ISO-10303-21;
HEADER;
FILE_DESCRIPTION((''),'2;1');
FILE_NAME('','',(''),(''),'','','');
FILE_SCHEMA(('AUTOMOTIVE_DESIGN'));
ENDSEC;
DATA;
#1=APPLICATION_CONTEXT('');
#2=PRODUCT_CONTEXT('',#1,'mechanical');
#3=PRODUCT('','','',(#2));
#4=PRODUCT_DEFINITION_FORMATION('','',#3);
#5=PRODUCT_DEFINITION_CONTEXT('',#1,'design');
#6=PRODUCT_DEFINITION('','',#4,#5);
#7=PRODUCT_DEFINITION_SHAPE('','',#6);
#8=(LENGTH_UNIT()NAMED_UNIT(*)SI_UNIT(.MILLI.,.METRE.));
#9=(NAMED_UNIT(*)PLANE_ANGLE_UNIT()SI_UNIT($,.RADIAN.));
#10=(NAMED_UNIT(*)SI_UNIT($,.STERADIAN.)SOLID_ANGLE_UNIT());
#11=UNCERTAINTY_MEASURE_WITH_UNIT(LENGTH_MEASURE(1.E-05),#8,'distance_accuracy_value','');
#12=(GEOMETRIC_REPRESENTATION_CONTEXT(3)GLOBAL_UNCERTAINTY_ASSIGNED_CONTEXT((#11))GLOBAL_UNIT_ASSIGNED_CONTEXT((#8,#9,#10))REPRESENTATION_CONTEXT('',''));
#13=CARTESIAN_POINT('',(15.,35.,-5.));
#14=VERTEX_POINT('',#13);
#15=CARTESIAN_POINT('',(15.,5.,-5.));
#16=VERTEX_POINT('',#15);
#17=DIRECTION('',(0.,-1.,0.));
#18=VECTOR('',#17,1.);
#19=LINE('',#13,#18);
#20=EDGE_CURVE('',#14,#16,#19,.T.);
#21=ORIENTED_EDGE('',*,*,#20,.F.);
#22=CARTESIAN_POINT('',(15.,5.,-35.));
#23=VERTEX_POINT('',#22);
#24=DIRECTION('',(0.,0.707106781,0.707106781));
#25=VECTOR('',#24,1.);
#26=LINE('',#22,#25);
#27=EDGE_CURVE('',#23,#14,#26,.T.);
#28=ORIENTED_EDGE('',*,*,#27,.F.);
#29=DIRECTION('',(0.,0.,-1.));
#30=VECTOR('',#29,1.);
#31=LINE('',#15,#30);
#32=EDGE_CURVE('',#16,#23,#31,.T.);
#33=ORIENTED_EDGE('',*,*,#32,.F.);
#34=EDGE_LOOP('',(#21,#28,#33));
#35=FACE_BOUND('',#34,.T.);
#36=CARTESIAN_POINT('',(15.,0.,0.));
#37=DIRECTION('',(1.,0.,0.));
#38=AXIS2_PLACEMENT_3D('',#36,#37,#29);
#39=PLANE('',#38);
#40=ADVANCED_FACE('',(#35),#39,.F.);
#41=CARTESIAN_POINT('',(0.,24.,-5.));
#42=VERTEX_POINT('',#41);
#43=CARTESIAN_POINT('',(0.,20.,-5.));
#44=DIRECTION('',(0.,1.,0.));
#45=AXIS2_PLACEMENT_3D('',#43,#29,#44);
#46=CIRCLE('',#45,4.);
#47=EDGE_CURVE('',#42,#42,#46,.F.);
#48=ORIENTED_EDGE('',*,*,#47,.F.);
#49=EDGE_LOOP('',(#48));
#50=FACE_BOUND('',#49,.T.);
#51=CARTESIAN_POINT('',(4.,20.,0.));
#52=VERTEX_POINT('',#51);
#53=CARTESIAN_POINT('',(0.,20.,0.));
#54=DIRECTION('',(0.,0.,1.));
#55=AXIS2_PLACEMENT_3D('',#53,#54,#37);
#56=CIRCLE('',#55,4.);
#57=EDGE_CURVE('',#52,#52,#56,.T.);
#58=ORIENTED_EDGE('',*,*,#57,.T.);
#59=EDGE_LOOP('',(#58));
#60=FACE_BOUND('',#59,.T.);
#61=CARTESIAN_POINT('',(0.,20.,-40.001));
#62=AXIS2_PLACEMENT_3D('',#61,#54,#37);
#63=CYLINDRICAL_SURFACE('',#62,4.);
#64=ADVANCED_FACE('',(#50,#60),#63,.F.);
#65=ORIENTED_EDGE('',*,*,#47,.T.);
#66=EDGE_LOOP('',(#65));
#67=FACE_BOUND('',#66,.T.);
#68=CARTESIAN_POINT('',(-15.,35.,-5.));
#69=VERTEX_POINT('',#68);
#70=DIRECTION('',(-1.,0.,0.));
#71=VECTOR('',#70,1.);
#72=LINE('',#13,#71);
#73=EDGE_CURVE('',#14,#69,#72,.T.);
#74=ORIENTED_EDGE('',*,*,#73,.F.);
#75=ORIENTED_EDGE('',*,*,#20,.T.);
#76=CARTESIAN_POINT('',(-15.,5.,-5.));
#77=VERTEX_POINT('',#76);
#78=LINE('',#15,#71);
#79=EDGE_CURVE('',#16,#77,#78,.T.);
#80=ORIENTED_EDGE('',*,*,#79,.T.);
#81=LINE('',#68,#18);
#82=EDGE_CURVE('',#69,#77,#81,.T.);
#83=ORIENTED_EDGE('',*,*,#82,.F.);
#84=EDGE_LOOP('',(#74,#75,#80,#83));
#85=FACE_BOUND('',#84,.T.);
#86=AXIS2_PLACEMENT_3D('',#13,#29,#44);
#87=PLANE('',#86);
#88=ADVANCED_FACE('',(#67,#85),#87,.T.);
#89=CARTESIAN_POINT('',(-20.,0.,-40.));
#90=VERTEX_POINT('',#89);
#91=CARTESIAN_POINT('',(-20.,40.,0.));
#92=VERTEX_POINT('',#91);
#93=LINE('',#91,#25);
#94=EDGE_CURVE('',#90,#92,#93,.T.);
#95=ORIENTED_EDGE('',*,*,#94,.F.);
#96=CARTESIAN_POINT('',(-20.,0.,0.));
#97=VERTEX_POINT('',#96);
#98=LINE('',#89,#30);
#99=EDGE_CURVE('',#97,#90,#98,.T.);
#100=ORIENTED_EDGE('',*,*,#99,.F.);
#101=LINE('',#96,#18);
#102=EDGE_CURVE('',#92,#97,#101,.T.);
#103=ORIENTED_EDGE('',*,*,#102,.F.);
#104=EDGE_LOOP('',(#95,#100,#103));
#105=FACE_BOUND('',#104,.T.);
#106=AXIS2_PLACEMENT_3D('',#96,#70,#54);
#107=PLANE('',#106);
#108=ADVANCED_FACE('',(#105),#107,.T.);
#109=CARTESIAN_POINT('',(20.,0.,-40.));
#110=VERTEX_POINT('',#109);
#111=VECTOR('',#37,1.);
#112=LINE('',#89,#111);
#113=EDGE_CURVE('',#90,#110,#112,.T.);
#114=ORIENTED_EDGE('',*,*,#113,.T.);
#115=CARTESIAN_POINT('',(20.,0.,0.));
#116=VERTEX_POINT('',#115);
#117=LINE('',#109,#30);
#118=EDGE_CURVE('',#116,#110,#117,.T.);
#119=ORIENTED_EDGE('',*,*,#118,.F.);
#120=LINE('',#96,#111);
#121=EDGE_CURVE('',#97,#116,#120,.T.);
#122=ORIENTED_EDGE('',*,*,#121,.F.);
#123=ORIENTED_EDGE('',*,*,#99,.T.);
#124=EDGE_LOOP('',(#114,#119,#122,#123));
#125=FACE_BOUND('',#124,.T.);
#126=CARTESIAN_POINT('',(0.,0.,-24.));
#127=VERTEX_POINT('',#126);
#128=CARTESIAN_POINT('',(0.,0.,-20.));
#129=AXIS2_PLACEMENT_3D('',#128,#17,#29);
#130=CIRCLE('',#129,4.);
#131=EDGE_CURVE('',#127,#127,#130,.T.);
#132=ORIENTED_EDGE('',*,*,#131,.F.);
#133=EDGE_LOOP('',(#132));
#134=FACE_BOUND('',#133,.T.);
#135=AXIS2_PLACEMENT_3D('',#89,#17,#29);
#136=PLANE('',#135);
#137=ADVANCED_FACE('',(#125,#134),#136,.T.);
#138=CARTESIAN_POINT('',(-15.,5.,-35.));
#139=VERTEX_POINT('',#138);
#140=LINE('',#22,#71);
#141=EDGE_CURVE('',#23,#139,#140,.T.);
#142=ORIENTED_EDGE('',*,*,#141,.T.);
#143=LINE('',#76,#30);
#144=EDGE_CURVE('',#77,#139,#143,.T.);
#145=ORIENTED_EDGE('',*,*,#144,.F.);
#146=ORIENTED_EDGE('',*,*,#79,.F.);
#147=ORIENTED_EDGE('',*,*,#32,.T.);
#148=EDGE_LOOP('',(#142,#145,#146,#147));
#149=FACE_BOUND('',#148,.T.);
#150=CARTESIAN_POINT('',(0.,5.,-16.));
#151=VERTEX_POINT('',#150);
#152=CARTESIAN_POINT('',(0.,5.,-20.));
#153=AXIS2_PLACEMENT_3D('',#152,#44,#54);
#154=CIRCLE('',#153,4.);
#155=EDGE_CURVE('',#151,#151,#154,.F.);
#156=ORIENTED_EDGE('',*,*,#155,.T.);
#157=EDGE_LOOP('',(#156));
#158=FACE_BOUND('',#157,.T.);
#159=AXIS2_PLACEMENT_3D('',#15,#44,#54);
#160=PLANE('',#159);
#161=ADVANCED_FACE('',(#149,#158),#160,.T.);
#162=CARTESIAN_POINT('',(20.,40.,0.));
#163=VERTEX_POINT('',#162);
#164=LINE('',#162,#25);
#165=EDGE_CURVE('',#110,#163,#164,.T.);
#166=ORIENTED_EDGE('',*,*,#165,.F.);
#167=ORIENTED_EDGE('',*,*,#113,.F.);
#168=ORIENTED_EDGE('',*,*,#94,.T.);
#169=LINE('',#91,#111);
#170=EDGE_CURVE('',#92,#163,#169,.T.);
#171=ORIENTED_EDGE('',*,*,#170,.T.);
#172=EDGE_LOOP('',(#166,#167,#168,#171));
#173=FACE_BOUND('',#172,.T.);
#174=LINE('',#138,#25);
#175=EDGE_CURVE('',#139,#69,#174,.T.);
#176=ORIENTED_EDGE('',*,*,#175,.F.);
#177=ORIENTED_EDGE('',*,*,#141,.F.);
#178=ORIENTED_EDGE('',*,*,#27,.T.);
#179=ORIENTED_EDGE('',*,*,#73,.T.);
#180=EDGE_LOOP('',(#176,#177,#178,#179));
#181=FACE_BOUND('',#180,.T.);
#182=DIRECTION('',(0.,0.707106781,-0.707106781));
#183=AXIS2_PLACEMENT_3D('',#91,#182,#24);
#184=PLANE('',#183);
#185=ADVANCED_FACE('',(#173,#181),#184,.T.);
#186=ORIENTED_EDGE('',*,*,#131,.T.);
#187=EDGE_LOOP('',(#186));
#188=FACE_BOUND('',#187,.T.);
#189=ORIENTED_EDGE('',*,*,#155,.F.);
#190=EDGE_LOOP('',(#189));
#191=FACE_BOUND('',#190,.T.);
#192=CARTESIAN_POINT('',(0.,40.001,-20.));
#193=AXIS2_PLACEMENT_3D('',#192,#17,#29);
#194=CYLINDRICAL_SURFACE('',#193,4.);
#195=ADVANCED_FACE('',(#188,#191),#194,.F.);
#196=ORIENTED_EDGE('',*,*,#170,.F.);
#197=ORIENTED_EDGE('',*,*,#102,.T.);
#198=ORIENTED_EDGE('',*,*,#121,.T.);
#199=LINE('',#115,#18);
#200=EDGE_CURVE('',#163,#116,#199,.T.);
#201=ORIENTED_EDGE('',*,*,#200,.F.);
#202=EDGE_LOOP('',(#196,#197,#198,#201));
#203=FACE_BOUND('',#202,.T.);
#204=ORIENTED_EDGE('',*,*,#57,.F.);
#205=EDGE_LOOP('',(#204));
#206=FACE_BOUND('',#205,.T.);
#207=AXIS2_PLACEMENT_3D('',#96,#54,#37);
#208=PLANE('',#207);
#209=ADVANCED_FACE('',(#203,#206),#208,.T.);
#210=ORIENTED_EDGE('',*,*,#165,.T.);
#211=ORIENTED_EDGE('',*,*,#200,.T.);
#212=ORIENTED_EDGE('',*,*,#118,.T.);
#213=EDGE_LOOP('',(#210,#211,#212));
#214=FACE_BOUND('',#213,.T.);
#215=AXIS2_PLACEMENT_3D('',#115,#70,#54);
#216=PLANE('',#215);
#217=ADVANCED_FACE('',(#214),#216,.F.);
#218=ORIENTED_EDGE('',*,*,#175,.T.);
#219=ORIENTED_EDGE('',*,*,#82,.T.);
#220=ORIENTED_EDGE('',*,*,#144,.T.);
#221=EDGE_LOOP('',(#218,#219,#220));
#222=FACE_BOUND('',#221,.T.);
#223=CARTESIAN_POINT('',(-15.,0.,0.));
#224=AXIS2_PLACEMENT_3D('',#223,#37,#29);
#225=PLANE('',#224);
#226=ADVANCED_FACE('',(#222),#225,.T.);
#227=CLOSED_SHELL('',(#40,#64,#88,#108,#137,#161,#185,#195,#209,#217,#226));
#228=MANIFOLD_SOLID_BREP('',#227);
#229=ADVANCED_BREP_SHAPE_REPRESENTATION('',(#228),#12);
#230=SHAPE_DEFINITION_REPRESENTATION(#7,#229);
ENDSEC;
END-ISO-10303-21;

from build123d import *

# Parameters (mm, degrees)
AUFSATZ_LINEAR_AUSTRAGEN1_DEPTH      = 20
AUFSATZ_LINEAR_AUSTRAGEN1_DEPTH_BACK = 20
SCHNITT_LINEAR_AUSTRAGEN1_DEPTH      = 15
SCHNITT_LINEAR_AUSTRAGEN1_DEPTH_BACK = 15
SCHNITT_LINEAR_AUSTRAGEN2_REACH      = 62
SKIZZE3_R                            = 4
SCHNITT_LINEAR_AUSTRAGEN3_REACH      = 62
SKIZZE4_R                            = 4


with BuildPart() as part:
    # Skizze1 → Aufsatz-Linear austragen1 (new, two sides: drawn at the far end of the back side and taken through both)
    with BuildSketch(Plane(origin=(0, 0, 0), x_dir=(0, 0, -1), z_dir=(1, 0, 0)).offset(-AUFSATZ_LINEAR_AUSTRAGEN1_DEPTH_BACK)):
        Polygon((0, 0), (0, 40), (40, 0), align=None)
    extrude(amount=AUFSATZ_LINEAR_AUSTRAGEN1_DEPTH + AUFSATZ_LINEAR_AUSTRAGEN1_DEPTH_BACK)

    # Skizze2 → Schnitt-Linear austragen1 (cut, two sides: drawn at the far end of the back side and taken through both)
    with BuildSketch(Plane(origin=(0, 0, 0), x_dir=(0, 0, -1), z_dir=(1, 0, 0)).offset(-SCHNITT_LINEAR_AUSTRAGEN1_DEPTH_BACK)):
        Polygon((5, 35), (5, 5), (35, 5), align=None)
    extrude(amount=SCHNITT_LINEAR_AUSTRAGEN1_DEPTH + SCHNITT_LINEAR_AUSTRAGEN1_DEPTH_BACK, mode=Mode.SUBTRACT)

    # Skizze3 → Schnitt-Linear austragen2 (cut, up to next)
    with BuildSketch(Plane.XY, mode=Mode.PRIVATE) as schnitt_linear_austragen2_sk1:
        with Locations((0, 20)):
            Circle(SKIZZE3_R)
    schnitt_linear_austragen2_tool1 = extrude(schnitt_linear_austragen2_sk1.sketch, amount=-SCHNITT_LINEAR_AUSTRAGEN2_REACH, mode=Mode.PRIVATE) & part.part
    add(schnitt_linear_austragen2_tool1.solids().sort_by_distance((0, 20, 0))[0], mode=Mode.SUBTRACT)

    # Skizze4 → Schnitt-Linear austragen3 (cut, up to next)
    with BuildSketch(Plane.XZ, mode=Mode.PRIVATE) as schnitt_linear_austragen3_sk1:
        with Locations((0, -20)):
            Circle(SKIZZE4_R)
    schnitt_linear_austragen3_tool1 = extrude(schnitt_linear_austragen3_sk1.sketch, amount=-SCHNITT_LINEAR_AUSTRAGEN3_REACH, mode=Mode.PRIVATE) & part.part
    add(schnitt_linear_austragen3_tool1.solids().sort_by_distance((0, 0, -20))[0], mode=Mode.SUBTRACT)


solid = part.part
